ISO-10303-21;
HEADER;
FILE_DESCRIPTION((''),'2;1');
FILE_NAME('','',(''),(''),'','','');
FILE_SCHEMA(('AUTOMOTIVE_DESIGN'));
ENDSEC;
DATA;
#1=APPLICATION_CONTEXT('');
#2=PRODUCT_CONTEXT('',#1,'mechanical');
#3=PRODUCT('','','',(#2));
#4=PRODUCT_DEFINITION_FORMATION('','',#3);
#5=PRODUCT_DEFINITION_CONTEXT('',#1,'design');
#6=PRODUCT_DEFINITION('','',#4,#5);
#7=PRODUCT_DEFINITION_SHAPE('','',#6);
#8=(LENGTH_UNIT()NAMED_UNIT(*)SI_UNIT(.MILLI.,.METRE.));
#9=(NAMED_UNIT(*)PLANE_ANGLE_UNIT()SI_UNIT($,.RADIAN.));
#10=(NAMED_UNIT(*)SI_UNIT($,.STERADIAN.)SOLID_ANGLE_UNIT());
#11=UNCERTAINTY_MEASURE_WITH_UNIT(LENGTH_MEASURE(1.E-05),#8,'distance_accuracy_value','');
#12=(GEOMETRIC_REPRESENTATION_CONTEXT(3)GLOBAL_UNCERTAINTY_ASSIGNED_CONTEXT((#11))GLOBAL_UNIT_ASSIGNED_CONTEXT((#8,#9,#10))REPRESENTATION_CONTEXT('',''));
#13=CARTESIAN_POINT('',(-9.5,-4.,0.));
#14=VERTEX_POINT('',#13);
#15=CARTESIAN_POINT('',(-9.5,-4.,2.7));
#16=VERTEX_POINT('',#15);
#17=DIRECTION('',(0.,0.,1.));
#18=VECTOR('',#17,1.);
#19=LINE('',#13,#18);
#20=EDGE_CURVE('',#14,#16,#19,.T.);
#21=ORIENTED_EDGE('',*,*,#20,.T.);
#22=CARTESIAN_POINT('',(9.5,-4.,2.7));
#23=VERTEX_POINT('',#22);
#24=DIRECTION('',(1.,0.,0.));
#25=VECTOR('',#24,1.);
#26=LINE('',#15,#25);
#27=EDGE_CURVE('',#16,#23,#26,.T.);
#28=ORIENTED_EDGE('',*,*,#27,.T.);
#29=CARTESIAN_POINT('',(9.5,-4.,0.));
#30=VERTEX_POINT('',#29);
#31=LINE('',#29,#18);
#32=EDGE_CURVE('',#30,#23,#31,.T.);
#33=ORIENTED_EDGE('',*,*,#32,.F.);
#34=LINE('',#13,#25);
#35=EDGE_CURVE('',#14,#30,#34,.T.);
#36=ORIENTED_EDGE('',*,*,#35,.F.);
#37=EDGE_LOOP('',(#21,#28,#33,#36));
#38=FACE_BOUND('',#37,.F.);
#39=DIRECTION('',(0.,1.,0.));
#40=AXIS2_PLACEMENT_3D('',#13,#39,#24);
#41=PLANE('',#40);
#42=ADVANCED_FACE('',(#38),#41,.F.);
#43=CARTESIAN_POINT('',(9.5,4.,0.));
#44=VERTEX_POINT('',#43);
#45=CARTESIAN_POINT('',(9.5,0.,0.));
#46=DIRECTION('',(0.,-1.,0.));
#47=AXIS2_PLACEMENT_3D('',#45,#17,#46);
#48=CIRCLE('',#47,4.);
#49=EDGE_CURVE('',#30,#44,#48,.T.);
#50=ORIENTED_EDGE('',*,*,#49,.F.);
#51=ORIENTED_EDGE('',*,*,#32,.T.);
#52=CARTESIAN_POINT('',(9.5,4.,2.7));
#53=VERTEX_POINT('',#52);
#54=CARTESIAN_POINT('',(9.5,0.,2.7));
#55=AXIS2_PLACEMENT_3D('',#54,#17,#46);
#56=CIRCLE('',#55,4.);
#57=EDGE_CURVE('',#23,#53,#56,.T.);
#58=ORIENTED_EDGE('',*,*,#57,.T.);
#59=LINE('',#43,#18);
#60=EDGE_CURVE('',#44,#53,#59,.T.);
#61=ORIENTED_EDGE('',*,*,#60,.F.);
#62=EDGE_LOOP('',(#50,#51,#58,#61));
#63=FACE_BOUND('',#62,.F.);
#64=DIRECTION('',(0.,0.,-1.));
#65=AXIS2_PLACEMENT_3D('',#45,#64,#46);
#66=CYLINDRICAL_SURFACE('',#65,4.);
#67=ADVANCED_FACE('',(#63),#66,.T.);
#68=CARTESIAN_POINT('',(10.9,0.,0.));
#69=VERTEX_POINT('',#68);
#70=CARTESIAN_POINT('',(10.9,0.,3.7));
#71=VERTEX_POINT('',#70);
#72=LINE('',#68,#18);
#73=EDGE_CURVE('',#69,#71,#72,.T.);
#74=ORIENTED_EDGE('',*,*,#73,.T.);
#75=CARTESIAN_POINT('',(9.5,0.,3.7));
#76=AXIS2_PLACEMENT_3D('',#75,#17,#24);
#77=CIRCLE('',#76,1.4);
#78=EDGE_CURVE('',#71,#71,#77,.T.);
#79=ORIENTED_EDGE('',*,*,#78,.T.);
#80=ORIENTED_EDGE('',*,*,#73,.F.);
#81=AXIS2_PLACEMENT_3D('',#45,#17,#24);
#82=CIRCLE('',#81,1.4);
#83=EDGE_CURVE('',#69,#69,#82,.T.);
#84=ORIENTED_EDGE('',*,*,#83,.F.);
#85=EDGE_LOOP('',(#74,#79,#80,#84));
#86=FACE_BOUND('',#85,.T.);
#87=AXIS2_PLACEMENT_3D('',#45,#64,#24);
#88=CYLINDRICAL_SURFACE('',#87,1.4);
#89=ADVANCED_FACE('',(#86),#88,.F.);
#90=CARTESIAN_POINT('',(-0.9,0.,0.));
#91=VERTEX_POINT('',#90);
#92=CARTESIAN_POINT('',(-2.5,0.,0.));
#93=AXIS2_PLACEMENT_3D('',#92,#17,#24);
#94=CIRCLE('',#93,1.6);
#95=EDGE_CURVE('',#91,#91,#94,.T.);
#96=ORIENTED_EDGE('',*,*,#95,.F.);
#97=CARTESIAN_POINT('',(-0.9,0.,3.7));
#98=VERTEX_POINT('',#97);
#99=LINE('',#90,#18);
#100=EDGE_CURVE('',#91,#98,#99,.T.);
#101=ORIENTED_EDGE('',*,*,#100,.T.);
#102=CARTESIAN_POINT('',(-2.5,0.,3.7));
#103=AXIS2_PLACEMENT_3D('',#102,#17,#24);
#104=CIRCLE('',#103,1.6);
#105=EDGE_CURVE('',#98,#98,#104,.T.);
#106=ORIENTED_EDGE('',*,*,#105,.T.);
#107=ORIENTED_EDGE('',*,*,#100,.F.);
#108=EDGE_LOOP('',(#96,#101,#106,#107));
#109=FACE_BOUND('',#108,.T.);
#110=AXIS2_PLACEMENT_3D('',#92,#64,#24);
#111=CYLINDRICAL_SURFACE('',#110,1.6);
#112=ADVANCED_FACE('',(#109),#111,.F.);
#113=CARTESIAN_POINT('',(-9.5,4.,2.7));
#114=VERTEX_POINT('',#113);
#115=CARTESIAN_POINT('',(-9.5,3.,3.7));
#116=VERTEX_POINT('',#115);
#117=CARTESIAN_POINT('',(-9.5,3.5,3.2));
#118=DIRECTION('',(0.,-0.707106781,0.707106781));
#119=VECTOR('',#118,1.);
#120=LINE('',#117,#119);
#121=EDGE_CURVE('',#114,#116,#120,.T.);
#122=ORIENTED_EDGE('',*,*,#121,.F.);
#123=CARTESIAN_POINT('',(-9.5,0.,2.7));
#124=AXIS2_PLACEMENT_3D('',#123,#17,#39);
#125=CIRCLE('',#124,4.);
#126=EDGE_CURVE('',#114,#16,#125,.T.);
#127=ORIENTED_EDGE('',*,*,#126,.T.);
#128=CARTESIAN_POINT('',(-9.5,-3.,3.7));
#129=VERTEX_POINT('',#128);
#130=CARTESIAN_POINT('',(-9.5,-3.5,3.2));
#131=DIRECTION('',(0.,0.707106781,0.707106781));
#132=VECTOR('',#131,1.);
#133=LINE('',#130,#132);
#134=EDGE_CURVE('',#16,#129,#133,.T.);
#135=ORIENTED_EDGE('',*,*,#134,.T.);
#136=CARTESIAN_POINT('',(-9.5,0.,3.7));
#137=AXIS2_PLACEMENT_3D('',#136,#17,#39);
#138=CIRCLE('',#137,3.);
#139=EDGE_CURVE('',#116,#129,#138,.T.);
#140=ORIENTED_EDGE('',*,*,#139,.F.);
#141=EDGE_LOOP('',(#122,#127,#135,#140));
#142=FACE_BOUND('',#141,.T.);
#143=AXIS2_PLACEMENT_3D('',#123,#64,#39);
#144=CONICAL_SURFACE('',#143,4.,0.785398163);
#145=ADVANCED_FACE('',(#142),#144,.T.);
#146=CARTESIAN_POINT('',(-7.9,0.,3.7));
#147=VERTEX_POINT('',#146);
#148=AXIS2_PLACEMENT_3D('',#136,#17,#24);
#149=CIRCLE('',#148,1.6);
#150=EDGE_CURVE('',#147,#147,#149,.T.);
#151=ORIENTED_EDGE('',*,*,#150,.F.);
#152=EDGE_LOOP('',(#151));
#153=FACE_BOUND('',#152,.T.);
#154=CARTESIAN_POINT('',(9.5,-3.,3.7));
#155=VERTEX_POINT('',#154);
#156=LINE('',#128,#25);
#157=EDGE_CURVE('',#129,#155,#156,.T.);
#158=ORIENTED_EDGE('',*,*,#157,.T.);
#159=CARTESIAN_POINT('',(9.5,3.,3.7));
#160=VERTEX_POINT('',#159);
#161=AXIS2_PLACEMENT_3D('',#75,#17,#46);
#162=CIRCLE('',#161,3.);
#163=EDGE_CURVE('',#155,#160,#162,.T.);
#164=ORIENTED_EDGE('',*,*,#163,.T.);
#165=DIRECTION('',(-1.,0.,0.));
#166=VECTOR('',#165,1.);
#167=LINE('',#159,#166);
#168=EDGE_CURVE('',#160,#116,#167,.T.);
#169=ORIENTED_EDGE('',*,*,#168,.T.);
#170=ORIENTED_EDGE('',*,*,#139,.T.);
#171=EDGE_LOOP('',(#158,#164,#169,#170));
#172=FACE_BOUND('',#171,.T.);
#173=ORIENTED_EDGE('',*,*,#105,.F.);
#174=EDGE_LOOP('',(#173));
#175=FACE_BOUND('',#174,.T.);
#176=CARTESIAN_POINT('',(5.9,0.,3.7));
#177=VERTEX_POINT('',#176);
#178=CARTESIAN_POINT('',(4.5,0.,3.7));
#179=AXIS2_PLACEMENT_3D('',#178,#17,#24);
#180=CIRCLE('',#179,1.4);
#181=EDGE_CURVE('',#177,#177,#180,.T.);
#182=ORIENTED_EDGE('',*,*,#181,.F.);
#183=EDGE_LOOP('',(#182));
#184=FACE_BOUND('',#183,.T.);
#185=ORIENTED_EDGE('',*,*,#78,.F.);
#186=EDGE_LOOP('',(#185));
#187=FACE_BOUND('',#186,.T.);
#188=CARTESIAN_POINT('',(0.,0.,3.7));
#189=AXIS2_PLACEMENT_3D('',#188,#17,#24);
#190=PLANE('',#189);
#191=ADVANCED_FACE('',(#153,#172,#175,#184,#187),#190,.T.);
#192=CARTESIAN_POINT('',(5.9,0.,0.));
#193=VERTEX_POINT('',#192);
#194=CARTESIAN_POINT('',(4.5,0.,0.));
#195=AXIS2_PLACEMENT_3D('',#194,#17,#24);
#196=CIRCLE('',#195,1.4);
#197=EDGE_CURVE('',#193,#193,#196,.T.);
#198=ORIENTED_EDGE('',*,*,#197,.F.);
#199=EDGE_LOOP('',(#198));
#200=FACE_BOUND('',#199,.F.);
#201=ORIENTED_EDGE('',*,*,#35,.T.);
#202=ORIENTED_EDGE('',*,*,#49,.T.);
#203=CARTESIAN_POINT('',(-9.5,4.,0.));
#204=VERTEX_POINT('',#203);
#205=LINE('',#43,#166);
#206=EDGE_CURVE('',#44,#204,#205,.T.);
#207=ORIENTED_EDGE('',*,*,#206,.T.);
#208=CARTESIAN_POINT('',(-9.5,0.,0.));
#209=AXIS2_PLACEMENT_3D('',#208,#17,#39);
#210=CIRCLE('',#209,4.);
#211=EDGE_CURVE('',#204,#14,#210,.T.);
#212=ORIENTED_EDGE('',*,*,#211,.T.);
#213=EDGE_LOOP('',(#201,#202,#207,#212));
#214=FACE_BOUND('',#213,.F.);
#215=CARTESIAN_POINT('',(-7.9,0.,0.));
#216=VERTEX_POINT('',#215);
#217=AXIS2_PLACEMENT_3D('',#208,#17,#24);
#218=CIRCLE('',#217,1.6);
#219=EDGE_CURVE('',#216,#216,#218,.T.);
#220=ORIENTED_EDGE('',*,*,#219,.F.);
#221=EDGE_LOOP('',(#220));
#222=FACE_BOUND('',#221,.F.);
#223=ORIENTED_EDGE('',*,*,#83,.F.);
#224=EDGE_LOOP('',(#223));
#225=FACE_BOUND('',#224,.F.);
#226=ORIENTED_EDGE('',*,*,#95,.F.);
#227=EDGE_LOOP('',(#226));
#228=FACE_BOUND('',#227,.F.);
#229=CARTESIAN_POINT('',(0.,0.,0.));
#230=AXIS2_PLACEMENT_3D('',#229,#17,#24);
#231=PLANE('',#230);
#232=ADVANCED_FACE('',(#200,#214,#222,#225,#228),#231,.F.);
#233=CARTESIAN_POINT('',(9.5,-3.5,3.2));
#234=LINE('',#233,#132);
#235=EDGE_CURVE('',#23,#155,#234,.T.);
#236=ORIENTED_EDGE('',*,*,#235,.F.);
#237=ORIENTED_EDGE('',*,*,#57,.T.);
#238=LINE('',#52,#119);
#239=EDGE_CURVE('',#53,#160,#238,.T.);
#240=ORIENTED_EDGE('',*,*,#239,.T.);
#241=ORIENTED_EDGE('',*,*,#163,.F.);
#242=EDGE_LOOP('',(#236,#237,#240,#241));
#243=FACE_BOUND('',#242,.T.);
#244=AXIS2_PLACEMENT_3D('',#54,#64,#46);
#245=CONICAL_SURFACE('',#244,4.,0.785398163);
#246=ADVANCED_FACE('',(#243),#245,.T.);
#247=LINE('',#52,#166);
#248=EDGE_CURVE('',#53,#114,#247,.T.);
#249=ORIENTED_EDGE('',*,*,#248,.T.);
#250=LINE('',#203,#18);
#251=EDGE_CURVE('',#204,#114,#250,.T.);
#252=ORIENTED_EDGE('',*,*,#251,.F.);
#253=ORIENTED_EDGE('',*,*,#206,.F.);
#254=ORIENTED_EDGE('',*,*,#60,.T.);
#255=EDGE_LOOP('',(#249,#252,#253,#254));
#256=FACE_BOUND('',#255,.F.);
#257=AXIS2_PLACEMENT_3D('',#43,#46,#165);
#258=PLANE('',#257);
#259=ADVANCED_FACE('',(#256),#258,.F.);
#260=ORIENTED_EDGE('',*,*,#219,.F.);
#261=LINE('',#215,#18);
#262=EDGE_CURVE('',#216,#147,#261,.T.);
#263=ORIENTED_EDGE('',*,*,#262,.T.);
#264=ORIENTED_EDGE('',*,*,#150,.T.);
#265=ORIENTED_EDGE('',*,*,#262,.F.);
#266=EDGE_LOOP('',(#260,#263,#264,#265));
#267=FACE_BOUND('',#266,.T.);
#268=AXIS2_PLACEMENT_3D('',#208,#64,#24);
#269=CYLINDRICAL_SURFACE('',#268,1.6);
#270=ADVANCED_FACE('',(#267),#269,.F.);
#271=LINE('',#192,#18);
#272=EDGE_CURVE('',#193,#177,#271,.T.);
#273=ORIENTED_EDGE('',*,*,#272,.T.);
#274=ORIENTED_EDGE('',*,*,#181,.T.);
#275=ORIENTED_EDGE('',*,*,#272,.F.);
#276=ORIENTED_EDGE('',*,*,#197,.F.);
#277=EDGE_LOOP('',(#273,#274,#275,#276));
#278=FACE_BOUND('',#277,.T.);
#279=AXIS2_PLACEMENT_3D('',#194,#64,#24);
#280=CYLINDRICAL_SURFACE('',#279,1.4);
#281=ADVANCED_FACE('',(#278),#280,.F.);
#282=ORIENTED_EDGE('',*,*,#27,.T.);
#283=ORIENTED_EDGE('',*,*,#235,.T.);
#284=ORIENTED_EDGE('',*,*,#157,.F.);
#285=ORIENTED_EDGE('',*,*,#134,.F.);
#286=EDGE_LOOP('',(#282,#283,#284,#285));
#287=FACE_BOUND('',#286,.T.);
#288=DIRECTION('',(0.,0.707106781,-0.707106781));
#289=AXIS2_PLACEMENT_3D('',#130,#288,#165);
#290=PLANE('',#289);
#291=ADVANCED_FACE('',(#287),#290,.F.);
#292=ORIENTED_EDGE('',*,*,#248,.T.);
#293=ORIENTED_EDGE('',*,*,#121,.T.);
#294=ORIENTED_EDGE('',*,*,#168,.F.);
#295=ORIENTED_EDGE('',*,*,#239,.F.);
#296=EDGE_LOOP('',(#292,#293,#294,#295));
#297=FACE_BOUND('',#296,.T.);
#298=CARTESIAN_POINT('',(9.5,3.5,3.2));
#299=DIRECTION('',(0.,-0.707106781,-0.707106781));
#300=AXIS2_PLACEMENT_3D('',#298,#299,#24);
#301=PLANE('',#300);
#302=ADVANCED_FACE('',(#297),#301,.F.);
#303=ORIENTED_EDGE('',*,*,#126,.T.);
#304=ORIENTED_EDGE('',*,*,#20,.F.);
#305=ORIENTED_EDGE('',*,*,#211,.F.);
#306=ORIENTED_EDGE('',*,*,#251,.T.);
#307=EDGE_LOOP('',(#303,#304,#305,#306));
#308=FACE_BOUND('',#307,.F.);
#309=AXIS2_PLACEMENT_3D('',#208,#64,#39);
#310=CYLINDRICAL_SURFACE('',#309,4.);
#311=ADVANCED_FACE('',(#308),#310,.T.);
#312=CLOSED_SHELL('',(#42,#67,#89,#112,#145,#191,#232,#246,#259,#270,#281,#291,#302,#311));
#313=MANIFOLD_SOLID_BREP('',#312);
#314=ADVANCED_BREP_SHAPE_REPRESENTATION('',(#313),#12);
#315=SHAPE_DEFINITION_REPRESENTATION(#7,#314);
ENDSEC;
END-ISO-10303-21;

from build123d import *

# Parameters (mm, degrees)
F1_R     = 1.6
F1_R_2   = 1.4
F2_DEPTH = 3.7
F3_SIZE  = 1


with BuildPart() as f2:
    # F1 (on Top) → F2 (new body)
    with BuildSketch(Plane.XY):
        with BuildLine():
            Line((9.5, 4), (-9.5, 4))
            ThreePointArc((-9.5, 4), (-13.5, 0), (-9.5, -4))
            Line((-9.5, -4), (9.5, -4))
            ThreePointArc((9.5, -4), (13.5, 0), (9.5, 4))
        make_face()
        with Locations((-9.5, 0)):
            Circle(F1_R, mode=Mode.SUBTRACT)
        with Locations((-2.5, 0)):
            Circle(F1_R, mode=Mode.SUBTRACT)
        with Locations((4.5, 0)):
            Circle(F1_R_2, mode=Mode.SUBTRACT)
        with Locations((9.5, 0)):
            Circle(F1_R_2, mode=Mode.SUBTRACT)
    extrude(amount=F2_DEPTH)

    # F3
    f3_edges = [f2.edges().sort_by_distance(p)[0] for p in [
        (0, -4, 3.7),
        (13.5, 0, 3.7),
        (0, 4, 3.7),
        (-13.5, 0, 3.7),
    ]]
    chamfer(f3_edges, length=F3_SIZE)


solid = f2.part
